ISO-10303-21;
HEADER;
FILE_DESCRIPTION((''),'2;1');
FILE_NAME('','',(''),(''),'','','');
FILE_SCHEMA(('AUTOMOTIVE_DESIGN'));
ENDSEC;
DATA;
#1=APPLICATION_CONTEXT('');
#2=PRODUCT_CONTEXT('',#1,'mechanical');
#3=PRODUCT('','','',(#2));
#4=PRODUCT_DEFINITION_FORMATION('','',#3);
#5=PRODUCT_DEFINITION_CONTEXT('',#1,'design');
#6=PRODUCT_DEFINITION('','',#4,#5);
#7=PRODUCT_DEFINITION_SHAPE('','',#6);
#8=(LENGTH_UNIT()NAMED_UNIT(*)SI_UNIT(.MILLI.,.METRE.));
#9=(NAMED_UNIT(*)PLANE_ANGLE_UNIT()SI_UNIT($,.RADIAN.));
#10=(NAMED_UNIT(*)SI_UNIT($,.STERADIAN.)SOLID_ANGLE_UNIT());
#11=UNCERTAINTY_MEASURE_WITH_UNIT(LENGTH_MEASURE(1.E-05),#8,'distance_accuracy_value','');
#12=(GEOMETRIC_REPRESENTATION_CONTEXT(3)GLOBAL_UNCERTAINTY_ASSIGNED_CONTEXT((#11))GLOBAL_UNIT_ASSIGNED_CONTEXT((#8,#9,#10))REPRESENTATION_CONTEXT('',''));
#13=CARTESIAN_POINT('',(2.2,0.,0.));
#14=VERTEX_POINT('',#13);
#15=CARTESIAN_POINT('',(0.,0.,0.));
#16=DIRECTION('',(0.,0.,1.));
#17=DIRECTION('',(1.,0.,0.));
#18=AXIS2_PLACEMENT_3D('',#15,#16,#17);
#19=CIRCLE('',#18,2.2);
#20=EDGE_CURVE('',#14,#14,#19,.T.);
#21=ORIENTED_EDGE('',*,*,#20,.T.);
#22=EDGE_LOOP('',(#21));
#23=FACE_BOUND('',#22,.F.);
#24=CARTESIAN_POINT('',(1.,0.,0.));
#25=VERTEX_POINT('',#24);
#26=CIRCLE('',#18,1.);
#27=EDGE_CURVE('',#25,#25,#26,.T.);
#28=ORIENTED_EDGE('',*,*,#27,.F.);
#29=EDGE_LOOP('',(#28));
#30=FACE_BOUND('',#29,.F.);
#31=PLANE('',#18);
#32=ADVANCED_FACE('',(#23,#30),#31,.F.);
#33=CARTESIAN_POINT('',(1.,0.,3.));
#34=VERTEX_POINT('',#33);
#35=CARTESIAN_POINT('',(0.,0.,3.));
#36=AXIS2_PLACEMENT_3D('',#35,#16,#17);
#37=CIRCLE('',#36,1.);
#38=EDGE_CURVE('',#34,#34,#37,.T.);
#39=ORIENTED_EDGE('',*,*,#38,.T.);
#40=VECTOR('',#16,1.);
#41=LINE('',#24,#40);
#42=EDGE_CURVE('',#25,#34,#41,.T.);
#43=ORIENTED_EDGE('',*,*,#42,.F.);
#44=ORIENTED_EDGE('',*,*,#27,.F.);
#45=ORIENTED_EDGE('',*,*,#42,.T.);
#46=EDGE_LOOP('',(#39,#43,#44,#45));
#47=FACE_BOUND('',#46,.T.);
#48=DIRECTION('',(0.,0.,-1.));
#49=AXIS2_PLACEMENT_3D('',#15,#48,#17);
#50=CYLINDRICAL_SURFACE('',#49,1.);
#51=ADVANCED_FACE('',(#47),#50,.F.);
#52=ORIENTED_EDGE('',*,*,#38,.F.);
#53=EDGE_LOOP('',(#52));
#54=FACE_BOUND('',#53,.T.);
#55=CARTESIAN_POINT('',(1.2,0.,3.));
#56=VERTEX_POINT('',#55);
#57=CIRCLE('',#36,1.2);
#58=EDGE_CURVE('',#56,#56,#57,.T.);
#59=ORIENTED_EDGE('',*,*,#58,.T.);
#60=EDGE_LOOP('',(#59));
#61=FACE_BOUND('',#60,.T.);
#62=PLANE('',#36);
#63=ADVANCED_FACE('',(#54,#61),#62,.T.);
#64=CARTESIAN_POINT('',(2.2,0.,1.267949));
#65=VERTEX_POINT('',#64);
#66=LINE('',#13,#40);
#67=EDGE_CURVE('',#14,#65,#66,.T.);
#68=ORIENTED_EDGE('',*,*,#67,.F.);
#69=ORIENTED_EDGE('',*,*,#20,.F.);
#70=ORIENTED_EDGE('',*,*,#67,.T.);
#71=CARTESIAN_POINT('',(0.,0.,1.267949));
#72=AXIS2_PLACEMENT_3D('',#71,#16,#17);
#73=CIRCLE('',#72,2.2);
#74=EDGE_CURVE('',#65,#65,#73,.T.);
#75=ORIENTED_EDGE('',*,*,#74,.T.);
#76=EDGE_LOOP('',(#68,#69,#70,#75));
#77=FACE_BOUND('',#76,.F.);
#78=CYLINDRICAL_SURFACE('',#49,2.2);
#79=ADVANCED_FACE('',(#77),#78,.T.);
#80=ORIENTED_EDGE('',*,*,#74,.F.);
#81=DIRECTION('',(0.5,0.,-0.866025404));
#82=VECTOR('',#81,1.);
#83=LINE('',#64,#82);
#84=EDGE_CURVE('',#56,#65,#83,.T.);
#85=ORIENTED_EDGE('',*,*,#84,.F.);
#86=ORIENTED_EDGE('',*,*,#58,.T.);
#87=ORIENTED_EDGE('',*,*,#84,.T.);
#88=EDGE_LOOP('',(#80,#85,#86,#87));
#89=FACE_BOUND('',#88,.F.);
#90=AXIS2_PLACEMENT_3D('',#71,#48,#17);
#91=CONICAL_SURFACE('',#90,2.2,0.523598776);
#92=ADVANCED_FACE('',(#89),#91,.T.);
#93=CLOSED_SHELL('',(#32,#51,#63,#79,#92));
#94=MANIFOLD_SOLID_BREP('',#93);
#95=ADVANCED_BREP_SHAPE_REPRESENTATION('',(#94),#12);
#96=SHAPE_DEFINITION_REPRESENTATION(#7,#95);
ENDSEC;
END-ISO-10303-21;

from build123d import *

# Parameters (mm, degrees)
F0_R     = 2.2
F0_R_2   = 1
F1_DEPTH = 3
F2_SIZE2 = 1.7320508076
F2_SIZE  = 1


with BuildPart() as f1:
    # F0 (on Top) → F1 (new body)
    with BuildSketch(Plane.XY):
        Circle(F0_R)
        Circle(F0_R_2, mode=Mode.SUBTRACT)
    extrude(amount=F1_DEPTH)

    # F2
    f2_edges = [f1.edges().sort_by_distance(p)[0] for p in [
        (-2.2, 0, 3),
    ]]
    f2_side = f1.faces().sort_by_distance((-2.137775, 0, 3))[0]
    chamfer(f2_edges, length=F2_SIZE, length2=F2_SIZE2, reference=f2_side)


solid = f1.part
